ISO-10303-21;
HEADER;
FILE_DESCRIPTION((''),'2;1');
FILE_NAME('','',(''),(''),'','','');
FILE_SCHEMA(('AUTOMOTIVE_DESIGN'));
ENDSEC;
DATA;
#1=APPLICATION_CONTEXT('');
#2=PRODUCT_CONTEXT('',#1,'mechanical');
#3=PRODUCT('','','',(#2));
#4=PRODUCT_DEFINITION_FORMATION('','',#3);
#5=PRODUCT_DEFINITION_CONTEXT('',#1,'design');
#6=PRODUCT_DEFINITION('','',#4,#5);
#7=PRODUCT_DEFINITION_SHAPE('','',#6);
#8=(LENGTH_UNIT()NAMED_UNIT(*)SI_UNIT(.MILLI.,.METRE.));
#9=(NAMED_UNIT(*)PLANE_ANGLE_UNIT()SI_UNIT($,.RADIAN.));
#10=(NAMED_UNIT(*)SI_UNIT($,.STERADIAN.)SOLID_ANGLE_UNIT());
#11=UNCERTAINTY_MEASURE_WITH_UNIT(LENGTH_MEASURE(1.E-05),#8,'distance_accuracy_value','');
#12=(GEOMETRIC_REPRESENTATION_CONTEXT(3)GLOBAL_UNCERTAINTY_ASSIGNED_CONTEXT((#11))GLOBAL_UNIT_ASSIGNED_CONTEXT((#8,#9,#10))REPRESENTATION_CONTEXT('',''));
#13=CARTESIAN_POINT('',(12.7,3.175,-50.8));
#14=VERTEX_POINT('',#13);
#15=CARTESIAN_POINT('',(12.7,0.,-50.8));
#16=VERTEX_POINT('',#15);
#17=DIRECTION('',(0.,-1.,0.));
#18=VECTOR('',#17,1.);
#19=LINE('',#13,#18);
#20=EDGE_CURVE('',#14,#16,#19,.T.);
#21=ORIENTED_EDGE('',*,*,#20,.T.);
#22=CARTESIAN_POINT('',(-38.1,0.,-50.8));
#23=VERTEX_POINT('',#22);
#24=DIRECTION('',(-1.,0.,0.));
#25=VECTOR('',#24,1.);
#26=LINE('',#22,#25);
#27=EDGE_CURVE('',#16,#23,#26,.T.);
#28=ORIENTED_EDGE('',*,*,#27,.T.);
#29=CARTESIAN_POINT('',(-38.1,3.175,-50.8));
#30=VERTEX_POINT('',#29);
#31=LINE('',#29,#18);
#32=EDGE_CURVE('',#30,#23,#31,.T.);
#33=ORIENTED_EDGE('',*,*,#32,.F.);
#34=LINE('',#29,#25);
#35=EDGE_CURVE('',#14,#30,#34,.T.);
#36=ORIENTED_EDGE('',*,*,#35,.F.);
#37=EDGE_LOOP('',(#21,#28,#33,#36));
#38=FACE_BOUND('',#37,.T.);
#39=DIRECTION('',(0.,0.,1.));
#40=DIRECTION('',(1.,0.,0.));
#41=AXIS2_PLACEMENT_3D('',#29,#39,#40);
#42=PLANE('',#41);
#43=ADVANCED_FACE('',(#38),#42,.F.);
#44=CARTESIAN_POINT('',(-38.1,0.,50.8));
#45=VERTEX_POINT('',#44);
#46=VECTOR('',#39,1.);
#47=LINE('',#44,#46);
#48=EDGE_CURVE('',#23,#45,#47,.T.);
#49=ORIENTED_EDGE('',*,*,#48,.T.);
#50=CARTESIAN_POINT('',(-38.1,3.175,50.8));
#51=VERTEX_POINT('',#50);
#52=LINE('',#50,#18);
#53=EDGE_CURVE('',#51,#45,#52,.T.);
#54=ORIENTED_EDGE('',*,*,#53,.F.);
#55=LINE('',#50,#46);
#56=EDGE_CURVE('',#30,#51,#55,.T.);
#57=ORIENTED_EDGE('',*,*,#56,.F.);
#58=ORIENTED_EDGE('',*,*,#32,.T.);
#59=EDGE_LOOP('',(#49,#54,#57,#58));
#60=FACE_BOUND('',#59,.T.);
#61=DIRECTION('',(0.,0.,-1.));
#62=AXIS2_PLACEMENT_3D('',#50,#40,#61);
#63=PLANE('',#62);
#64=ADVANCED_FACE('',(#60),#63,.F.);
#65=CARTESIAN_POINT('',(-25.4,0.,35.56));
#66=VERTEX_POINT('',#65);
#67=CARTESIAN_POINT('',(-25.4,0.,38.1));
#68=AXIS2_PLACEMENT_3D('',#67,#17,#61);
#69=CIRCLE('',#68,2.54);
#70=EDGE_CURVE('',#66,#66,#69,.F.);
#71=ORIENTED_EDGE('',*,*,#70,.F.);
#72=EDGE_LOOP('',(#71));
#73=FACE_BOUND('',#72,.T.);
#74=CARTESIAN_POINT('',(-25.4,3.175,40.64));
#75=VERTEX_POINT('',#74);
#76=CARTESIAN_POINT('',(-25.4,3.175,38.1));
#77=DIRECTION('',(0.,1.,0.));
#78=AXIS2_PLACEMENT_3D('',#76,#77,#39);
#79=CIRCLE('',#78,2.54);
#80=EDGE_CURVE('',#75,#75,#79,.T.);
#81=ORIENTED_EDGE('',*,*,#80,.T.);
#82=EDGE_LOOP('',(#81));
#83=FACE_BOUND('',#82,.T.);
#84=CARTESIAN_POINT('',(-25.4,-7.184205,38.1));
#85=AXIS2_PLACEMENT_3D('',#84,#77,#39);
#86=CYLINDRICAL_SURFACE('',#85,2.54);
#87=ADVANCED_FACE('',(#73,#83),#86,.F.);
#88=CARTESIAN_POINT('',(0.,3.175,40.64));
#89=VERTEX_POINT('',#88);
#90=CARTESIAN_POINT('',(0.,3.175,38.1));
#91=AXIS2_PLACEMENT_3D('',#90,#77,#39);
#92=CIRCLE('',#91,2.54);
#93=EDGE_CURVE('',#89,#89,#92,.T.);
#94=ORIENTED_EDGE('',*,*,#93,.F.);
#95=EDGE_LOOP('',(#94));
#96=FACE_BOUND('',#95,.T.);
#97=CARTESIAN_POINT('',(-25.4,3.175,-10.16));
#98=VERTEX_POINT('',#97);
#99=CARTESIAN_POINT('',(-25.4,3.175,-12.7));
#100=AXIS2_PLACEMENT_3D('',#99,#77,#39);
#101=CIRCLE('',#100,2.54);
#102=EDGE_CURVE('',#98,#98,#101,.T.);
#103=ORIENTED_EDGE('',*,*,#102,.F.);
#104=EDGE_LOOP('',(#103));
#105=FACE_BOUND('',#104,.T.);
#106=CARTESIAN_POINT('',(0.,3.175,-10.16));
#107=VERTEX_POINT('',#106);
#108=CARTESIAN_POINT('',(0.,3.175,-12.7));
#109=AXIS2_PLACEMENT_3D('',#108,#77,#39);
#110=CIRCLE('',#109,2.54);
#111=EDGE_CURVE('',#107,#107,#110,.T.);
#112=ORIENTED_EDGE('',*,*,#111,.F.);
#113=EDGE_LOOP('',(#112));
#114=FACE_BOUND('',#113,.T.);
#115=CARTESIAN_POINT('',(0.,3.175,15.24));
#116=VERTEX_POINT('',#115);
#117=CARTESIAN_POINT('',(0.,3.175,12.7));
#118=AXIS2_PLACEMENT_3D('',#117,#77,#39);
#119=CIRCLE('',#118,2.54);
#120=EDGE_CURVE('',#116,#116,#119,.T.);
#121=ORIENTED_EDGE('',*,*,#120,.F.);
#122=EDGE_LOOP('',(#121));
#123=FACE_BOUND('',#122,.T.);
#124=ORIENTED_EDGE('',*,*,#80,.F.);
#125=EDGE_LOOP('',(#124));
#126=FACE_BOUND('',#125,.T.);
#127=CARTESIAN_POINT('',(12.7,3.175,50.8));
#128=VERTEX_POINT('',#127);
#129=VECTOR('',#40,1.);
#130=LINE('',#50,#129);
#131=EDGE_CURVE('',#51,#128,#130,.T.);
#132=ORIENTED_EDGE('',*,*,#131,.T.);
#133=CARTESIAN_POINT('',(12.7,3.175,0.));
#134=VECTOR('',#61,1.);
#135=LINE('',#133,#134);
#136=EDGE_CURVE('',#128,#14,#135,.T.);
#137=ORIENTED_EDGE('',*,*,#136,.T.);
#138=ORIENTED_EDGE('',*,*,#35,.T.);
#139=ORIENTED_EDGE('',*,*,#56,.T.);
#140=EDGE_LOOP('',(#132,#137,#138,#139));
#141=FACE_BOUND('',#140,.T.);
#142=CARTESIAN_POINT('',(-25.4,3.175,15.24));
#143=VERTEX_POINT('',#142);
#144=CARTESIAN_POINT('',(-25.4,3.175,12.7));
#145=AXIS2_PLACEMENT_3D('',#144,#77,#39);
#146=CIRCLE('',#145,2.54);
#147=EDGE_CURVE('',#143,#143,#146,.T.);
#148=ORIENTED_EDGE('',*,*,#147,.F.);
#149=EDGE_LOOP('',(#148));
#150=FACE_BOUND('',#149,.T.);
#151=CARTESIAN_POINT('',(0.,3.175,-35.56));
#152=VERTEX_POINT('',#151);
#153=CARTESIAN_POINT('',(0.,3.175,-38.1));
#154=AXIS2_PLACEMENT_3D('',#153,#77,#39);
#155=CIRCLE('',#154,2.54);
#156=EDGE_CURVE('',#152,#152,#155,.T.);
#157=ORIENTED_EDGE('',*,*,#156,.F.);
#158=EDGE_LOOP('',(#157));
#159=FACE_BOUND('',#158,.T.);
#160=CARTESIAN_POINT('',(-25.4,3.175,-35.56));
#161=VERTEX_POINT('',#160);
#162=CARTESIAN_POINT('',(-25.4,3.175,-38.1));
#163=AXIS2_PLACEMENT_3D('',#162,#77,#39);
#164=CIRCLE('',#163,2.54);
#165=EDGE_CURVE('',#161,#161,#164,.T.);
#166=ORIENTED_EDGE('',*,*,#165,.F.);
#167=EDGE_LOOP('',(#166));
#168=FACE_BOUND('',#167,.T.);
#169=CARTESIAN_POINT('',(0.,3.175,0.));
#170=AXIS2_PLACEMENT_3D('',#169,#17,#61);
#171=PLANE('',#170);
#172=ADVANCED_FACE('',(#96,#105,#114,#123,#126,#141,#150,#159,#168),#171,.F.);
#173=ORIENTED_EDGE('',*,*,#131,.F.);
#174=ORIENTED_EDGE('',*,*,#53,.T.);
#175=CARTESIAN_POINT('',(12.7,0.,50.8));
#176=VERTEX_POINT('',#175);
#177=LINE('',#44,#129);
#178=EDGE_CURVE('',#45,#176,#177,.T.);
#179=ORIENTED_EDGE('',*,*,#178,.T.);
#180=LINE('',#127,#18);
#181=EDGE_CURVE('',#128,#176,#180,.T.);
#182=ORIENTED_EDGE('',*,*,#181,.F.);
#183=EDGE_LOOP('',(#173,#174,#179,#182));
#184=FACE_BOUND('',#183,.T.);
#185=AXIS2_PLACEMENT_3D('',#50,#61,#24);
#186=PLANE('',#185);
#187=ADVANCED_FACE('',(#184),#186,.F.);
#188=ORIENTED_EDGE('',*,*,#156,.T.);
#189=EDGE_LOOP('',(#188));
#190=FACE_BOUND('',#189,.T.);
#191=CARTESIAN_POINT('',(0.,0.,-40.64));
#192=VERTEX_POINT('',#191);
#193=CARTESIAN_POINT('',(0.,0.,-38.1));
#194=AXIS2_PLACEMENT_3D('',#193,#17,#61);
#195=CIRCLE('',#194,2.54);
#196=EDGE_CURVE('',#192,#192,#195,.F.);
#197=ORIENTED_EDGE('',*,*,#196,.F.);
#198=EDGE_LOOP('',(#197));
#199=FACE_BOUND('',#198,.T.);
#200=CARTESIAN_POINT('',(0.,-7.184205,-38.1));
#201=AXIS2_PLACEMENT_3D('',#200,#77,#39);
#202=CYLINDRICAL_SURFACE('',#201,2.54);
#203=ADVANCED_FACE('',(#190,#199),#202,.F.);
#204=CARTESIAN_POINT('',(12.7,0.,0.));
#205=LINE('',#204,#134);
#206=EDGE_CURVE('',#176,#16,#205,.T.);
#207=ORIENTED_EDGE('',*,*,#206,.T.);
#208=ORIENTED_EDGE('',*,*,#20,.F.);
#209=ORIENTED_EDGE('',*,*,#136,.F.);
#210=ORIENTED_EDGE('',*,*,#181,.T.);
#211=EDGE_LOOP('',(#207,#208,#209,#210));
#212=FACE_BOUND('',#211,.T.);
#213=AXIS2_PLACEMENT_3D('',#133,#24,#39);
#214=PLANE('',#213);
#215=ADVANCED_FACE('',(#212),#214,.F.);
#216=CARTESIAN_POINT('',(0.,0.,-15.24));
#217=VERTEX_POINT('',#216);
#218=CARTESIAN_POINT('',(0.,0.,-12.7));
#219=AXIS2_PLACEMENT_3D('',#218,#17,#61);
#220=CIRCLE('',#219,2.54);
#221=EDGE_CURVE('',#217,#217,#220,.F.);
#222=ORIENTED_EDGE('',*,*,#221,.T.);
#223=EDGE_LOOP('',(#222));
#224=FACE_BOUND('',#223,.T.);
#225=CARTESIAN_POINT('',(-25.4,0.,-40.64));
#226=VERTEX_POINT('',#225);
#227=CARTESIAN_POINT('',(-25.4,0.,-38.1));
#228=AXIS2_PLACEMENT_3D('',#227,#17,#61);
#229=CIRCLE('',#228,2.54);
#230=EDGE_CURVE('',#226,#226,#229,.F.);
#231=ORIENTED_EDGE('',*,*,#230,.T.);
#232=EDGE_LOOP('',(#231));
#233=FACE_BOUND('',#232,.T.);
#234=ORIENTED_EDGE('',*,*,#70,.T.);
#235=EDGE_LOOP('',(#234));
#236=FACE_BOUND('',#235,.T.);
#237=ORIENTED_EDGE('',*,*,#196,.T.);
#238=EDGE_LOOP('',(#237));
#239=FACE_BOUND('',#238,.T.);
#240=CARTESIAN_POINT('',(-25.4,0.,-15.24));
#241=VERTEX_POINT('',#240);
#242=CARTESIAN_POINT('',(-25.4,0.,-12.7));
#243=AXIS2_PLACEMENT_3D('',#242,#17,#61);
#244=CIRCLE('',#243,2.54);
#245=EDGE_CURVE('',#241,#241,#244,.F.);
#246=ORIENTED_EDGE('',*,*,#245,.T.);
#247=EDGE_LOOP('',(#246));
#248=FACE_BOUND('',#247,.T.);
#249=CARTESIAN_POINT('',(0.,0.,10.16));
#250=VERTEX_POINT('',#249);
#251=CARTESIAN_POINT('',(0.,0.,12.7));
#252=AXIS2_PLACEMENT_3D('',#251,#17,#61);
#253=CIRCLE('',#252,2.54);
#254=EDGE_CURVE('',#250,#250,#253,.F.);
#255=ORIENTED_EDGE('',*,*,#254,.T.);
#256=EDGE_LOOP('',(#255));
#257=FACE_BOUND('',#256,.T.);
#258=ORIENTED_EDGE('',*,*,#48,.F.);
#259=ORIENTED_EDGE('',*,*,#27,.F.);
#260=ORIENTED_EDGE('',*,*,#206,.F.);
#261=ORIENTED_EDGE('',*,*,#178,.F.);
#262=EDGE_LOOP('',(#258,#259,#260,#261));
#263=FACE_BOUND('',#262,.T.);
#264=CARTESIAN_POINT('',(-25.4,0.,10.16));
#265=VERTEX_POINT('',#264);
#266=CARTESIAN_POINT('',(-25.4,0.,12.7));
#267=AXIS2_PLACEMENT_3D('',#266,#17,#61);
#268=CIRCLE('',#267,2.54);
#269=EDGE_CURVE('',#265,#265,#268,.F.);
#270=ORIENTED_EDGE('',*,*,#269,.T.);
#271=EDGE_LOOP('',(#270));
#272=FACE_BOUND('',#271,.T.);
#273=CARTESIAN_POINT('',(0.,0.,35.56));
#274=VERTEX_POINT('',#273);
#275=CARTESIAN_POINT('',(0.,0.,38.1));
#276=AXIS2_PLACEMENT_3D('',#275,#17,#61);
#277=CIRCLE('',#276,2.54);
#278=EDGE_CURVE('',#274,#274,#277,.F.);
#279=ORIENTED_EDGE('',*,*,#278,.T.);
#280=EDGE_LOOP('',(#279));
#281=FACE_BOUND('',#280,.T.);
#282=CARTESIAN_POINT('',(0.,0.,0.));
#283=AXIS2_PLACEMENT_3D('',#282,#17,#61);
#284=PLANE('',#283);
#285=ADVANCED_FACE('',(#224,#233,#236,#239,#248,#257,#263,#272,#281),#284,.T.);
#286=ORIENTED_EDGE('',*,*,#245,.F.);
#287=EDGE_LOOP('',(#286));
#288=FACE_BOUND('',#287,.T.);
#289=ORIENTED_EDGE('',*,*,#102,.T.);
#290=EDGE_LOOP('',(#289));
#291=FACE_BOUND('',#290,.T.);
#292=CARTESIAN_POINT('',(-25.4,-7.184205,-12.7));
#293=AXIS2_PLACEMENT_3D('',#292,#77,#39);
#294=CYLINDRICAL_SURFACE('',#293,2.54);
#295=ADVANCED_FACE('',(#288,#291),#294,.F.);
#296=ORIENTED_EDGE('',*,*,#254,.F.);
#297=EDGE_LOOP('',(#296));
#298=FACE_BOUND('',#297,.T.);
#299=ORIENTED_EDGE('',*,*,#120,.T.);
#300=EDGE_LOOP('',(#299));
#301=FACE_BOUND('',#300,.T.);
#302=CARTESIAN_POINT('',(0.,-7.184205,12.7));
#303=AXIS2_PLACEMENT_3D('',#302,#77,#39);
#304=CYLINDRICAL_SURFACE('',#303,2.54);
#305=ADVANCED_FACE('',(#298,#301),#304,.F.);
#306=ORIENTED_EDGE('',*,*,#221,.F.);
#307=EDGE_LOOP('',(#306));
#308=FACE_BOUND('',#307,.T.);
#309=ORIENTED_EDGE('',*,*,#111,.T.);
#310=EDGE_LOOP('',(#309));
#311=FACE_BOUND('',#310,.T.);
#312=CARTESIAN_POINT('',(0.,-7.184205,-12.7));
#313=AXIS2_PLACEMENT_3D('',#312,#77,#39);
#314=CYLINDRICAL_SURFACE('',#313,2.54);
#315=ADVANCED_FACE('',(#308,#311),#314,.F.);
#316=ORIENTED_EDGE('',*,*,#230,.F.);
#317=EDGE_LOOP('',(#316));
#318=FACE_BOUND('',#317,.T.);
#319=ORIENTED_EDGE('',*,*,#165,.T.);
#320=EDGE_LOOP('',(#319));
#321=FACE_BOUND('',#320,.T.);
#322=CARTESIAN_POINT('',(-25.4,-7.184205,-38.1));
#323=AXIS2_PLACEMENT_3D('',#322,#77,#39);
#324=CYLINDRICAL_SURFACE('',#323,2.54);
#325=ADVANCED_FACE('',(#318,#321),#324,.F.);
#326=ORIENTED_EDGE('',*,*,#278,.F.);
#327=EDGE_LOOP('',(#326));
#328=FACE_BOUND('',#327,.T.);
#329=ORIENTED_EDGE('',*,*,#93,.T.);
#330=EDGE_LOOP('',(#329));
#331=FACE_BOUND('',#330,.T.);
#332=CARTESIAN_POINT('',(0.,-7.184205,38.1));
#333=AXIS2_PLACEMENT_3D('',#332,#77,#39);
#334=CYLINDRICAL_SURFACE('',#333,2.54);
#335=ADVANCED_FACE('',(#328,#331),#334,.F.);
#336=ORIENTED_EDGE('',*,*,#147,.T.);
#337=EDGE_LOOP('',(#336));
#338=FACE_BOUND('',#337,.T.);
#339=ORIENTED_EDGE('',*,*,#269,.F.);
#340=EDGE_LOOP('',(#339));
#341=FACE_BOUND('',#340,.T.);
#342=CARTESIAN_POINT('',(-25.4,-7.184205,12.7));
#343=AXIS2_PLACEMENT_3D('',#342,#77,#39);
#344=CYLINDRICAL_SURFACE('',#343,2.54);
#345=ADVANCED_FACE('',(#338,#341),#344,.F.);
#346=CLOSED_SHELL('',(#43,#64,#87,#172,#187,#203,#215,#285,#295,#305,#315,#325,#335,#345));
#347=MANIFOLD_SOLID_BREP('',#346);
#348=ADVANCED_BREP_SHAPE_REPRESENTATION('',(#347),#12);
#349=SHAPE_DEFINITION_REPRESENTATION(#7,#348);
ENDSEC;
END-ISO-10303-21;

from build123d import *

# Parameters (mm, degrees)
BOSS_EXTRUDE1_DEPTH = 3.175
SKETCH2_R           = 2.54
CUT_EXTRUDE1_DEPTH  = 3.175


with BuildPart() as part:
    # Sketch1 → Boss-Extrude1 (new body)
    with BuildSketch(Plane(origin=(0, 0, 0), x_dir=(1, 0, 0), z_dir=(0, 1, 0))):
        Polygon((-38.1, -50.8), (12.7, -50.8), (12.7, 0), (12.7, 50.8), (-38.1, 50.8), align=None)
    extrude(amount=BOSS_EXTRUDE1_DEPTH)

    # Sketch2 → Cut-Extrude1 (cut)
    with BuildSketch(Plane(origin=(0, 3.175, 0), x_dir=(1, 0, 0), z_dir=(0, 1, 0))):
        with Locations(Location((-25.4, 38.1, 0), (0, 0, 270))):
            Circle(SKETCH2_R)
        with Locations(Location((-25.4, 12.7, 0), (0, 0, 270))):
            Circle(SKETCH2_R)
        with Locations(Location((-25.4, -12.7, 0), (0, 0, 270))):
            Circle(SKETCH2_R)
        with Locations(Location((-25.4, -38.1, 0), (0, 0, 270))):
            Circle(SKETCH2_R)
        with Locations(Location((0, 12.7, 0), (0, 0, 270))):
            Circle(SKETCH2_R)
        with Locations(Location((0, -12.7, 0), (0, 0, 270))):
            Circle(SKETCH2_R)
        with Locations(Location((0, -38.1, 0), (0, 0, 270))):
            Circle(SKETCH2_R)
        with Locations(Location((0, 38.1, 0), (0, 0, 270))):
            Circle(SKETCH2_R)
    extrude(amount=-CUT_EXTRUDE1_DEPTH, mode=Mode.SUBTRACT)


solid = part.part
